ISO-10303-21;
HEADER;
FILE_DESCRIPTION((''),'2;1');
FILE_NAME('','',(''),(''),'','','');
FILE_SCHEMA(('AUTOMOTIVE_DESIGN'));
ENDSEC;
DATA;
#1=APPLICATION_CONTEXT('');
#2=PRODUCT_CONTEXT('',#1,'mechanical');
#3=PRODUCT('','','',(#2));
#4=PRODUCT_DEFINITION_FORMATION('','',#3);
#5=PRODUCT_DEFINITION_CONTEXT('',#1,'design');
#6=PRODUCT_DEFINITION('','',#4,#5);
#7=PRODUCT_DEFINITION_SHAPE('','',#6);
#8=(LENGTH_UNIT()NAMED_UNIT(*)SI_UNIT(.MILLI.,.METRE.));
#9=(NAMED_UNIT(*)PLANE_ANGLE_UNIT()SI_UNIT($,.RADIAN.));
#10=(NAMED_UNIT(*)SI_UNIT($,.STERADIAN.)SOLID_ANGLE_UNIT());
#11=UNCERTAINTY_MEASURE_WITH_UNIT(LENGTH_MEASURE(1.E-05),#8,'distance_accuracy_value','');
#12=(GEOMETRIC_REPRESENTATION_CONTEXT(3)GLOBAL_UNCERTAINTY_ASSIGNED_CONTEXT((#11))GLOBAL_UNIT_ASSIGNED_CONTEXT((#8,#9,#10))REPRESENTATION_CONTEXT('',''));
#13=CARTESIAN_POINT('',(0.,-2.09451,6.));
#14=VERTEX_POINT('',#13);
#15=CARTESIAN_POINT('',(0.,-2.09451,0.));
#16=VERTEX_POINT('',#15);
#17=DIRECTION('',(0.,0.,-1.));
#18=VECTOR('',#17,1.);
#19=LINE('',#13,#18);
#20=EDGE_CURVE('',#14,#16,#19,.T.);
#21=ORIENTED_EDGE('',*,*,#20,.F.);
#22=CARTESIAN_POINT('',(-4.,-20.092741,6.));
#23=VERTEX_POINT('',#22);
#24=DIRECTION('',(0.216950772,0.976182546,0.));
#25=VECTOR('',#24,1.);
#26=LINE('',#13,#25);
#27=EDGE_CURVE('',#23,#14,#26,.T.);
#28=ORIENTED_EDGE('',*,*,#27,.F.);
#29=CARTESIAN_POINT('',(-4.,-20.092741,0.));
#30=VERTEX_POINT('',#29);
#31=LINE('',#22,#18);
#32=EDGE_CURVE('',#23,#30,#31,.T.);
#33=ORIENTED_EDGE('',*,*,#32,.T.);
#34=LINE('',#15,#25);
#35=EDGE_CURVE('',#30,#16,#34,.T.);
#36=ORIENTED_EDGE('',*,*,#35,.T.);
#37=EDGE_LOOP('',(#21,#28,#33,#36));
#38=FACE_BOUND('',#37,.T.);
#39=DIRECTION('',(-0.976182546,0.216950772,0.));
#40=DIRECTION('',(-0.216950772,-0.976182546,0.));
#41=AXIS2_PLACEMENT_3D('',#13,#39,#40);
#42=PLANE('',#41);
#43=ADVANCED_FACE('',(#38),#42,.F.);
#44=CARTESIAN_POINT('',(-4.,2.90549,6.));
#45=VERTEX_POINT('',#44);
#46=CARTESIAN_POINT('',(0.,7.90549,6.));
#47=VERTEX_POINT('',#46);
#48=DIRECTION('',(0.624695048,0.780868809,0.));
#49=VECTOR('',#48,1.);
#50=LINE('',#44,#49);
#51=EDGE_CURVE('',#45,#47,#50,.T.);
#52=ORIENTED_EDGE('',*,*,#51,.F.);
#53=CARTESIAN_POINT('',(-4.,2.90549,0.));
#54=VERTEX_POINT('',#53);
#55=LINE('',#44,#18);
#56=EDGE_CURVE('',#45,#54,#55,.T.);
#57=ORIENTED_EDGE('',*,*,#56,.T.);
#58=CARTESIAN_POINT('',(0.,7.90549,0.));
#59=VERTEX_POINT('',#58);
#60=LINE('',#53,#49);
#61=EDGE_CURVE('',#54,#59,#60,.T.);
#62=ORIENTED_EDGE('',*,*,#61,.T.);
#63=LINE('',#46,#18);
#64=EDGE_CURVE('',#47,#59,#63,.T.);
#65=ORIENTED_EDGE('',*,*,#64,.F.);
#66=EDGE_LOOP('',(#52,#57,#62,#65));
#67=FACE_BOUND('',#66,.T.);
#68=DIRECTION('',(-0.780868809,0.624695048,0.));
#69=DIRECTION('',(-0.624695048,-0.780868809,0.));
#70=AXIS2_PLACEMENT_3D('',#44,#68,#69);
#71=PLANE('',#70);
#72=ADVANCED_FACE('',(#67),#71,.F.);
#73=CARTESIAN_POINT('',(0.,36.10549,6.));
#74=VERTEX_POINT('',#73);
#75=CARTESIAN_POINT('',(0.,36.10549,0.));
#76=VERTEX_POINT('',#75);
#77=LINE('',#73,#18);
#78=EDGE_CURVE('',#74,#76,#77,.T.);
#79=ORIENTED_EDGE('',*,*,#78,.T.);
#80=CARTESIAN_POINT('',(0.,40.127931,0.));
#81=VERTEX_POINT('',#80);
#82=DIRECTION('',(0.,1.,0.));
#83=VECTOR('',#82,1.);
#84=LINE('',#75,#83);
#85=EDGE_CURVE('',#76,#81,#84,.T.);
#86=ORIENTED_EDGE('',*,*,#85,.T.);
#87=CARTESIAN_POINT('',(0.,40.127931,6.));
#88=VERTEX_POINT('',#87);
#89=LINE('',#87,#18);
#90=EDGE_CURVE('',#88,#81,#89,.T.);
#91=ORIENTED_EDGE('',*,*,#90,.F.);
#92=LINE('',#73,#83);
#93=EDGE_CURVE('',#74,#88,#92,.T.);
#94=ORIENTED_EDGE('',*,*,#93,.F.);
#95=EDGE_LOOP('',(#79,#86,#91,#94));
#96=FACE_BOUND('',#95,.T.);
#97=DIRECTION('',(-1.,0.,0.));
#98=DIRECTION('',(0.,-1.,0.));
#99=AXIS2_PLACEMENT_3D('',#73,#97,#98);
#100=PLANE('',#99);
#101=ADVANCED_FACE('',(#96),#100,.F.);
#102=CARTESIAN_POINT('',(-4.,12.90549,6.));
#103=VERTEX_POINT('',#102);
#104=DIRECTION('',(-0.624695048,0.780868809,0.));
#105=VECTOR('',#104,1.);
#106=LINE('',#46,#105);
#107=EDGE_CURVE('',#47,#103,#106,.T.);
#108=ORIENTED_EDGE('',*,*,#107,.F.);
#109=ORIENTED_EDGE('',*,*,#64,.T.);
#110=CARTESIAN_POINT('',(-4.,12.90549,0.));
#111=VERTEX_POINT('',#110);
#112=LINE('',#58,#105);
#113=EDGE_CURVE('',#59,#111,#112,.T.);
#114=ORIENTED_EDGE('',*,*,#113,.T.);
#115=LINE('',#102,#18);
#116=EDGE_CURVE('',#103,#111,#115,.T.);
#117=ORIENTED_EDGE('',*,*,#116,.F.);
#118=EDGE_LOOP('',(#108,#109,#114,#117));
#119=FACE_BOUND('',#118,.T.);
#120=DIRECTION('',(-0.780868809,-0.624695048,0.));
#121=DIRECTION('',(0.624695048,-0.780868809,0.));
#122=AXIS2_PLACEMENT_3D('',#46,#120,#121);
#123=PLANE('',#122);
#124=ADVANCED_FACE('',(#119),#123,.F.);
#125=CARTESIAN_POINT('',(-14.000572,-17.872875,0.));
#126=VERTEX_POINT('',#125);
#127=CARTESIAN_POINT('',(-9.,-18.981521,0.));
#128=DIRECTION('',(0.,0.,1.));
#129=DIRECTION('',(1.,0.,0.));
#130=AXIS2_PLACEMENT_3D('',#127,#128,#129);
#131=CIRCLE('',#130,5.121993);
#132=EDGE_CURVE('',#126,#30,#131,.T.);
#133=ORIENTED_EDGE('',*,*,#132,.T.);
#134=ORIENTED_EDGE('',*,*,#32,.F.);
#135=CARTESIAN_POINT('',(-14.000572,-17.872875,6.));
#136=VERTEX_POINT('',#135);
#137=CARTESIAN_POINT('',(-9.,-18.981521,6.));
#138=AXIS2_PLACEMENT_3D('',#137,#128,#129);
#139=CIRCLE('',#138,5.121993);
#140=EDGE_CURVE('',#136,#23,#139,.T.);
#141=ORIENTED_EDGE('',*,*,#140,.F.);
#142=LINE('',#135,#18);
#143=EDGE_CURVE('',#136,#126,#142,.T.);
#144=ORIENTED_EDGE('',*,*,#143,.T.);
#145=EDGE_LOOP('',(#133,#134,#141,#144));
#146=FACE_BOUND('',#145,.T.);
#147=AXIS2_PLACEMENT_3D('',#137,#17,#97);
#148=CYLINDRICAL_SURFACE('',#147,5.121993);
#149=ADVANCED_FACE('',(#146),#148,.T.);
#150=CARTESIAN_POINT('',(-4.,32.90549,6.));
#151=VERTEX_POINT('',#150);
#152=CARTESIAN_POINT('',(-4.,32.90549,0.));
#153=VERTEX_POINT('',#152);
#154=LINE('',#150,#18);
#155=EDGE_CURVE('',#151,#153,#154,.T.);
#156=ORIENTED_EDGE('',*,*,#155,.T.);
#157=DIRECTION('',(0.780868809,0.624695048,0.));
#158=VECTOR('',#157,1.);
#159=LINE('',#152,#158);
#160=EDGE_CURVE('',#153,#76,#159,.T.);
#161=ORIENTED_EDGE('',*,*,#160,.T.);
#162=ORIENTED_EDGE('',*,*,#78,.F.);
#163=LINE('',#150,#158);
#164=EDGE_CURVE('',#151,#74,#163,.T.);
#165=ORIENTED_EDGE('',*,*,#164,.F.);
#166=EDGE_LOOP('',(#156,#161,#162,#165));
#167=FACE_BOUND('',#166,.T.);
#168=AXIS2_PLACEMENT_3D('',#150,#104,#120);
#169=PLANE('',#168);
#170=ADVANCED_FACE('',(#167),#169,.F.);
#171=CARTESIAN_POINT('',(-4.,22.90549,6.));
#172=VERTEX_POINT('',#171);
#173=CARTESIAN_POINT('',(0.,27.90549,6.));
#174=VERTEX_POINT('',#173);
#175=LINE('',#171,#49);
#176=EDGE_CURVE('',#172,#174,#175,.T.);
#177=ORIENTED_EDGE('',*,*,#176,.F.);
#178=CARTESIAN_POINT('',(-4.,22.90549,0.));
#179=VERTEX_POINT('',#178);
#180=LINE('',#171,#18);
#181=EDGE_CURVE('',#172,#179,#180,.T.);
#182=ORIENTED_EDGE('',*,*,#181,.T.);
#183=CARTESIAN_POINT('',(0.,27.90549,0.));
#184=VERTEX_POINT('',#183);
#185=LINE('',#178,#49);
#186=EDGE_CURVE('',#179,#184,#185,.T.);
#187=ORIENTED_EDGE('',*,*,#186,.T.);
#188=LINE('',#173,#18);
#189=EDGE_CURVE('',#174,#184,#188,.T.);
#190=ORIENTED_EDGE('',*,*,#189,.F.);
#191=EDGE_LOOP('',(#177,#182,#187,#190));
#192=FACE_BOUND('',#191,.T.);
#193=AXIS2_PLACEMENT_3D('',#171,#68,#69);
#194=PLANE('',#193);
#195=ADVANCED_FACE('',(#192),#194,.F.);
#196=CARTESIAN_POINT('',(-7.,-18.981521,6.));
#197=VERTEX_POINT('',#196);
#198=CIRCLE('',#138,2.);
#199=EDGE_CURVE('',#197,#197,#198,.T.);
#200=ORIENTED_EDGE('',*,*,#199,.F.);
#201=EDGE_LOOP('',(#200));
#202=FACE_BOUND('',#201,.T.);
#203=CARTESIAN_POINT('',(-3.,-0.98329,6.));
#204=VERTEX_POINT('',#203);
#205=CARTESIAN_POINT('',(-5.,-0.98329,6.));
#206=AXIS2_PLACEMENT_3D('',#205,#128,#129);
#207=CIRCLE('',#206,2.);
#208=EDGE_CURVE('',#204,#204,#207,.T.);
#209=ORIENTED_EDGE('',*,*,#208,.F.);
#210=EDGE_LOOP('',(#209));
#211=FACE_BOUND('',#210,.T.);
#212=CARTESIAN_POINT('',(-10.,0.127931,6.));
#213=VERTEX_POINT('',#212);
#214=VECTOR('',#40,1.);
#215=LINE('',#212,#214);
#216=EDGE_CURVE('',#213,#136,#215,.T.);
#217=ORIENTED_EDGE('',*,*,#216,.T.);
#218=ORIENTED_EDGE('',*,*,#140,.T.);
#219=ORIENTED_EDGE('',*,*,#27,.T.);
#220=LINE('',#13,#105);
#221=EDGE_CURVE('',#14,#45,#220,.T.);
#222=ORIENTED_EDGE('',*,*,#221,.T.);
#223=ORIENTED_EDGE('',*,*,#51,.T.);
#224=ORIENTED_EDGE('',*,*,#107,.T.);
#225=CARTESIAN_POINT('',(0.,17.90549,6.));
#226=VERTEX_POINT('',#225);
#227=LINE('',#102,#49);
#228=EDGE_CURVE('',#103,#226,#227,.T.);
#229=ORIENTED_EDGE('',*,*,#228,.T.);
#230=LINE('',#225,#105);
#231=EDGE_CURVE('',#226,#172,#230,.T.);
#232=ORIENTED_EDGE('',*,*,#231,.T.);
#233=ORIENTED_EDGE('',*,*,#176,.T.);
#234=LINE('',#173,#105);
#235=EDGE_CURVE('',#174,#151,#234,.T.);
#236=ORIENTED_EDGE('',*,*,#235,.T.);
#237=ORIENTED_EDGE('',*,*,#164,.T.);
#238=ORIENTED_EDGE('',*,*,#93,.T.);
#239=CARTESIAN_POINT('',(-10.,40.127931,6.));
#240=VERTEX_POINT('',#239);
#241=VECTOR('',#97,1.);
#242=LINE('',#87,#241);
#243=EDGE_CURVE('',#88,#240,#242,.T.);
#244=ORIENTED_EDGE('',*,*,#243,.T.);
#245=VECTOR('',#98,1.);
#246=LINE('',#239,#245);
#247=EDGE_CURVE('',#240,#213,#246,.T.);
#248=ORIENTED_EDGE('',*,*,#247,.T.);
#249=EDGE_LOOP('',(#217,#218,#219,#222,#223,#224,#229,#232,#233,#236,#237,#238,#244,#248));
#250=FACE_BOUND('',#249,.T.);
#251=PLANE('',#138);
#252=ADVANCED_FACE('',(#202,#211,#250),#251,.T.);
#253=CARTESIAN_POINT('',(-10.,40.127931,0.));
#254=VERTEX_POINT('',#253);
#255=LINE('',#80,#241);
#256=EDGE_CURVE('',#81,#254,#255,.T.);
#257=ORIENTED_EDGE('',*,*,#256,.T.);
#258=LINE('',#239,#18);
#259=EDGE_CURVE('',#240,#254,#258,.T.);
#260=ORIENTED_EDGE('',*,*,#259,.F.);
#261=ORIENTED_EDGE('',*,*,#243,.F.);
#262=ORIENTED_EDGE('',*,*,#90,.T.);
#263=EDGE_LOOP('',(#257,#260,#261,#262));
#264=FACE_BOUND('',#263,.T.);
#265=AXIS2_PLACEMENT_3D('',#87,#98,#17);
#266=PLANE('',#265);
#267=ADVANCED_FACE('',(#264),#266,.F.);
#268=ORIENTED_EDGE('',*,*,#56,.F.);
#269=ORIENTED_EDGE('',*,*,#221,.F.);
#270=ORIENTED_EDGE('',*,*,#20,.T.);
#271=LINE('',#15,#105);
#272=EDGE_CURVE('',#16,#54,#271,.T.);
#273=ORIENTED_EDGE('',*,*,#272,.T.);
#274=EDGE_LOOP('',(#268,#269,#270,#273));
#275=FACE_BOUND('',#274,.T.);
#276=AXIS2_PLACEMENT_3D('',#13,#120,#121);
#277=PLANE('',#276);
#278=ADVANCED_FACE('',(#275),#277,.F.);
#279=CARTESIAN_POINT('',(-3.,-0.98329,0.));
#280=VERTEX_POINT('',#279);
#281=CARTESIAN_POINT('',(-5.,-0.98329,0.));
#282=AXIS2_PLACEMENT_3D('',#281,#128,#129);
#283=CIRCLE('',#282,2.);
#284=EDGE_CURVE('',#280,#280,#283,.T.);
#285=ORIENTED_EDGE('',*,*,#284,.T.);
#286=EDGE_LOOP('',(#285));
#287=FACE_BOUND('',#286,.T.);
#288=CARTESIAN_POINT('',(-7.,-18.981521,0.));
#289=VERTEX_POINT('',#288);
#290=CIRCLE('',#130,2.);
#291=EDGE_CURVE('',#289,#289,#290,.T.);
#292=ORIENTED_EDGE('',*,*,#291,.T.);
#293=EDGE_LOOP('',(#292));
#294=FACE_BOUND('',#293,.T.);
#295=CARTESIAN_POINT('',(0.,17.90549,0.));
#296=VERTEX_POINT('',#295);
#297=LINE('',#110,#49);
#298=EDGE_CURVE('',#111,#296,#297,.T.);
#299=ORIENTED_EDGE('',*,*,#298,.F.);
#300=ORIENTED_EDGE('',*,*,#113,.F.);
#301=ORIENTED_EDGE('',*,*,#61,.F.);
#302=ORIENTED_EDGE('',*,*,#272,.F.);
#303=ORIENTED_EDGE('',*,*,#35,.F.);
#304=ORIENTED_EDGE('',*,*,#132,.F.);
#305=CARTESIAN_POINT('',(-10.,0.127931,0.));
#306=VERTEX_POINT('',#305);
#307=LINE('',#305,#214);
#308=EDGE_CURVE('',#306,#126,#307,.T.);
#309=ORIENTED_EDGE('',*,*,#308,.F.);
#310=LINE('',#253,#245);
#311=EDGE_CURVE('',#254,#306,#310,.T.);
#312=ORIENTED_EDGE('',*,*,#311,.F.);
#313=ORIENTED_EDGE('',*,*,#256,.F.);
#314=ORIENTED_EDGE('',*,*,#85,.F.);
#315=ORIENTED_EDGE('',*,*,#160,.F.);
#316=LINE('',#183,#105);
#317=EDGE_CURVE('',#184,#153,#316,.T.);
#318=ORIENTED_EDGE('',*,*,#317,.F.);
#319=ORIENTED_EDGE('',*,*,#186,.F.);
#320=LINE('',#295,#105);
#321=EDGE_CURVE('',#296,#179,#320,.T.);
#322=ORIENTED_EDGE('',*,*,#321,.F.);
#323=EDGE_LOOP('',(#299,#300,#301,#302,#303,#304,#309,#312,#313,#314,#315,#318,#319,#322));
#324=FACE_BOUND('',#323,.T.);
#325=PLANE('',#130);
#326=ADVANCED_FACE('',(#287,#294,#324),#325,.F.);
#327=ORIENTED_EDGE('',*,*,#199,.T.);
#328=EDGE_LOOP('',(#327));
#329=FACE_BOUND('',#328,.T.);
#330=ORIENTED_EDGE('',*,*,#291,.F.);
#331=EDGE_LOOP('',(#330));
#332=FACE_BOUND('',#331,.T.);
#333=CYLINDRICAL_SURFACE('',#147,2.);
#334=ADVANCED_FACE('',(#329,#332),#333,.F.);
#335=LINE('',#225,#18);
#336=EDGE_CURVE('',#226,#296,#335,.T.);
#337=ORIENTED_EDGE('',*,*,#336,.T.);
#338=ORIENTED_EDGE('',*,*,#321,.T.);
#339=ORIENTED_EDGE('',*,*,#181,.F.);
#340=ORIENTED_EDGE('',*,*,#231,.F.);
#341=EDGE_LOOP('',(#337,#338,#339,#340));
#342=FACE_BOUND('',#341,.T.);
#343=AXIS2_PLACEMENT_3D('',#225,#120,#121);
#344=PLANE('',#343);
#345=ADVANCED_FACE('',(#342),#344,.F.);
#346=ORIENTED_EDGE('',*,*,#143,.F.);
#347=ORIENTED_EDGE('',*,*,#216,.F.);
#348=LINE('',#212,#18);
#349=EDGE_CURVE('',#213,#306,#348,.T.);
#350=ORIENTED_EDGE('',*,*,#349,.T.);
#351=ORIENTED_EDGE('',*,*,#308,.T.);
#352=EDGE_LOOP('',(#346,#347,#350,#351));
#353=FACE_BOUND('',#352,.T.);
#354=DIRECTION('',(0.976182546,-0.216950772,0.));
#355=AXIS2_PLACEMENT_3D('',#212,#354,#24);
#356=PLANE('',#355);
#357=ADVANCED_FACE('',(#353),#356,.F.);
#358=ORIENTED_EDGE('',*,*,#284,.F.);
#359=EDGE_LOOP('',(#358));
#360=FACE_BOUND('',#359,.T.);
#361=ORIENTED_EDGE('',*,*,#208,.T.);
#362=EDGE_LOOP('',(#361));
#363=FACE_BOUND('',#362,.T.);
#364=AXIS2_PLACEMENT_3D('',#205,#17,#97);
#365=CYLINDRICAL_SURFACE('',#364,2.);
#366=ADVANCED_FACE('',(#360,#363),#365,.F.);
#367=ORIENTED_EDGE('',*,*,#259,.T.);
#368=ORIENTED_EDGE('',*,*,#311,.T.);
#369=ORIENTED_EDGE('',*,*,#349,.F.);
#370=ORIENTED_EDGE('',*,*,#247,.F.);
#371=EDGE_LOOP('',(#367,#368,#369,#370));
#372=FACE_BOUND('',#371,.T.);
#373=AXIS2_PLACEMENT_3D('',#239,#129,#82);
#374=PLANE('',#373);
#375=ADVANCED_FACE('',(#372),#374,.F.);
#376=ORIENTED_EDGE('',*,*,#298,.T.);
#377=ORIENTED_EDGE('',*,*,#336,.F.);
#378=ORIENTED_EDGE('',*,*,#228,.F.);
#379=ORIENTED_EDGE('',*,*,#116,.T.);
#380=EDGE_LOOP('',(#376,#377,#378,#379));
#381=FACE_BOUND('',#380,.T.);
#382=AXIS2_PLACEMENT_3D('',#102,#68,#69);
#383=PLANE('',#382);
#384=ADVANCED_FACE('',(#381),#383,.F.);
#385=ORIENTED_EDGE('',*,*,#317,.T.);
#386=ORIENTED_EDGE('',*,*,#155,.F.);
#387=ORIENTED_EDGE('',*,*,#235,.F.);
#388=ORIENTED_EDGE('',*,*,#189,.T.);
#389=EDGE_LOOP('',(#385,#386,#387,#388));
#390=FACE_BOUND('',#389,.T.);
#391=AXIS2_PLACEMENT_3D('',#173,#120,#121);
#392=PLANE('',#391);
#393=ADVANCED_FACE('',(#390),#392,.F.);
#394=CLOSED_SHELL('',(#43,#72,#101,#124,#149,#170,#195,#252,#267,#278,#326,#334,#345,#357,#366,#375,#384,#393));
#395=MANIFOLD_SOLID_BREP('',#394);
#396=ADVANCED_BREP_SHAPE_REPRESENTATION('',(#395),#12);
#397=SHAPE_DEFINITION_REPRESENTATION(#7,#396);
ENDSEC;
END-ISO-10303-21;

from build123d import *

# Parameters (mm, degrees)
SKETCH1_R           = 2
BOSS_EXTRUDE1_DEPTH = 6


with BuildPart() as part:
    # Sketch1 → Boss-Extrude1 (new body)
    with BuildSketch(Plane.XY):
        with BuildLine():
            Line((-10, 40.127930694), (-10, 0.127930694))
            Line((-10, 0.127930694), (-14.000572229, -17.872875451))
            ThreePointArc((-14.000572229, -17.872875451), (-10.109933276, -23.981807176), (-4, -20.092741267))
            Line((-4, -20.092741267), (0, -2.0945099))
            Line((0, -2.0945099), (-4, 2.9054901))
            Line((-4, 2.9054901), (0, 7.9054901))
            Line((0, 7.9054901), (-4, 12.9054901))
            Line((-4, 12.9054901), (0, 17.9054901))
            Line((0, 17.9054901), (-4, 22.9054901))
            Line((-4, 22.9054901), (0, 27.9054901))
            Line((0, 27.9054901), (-4, 32.9054901))
            Line((-4, 32.9054901), (0, 36.1054901))
            Line((0, 36.1054901), (0, 40.127930694))
            Line((0, 40.127930694), (-10, 40.127930694))
        make_face()
        with Locations((-5, -0.983289603)):
            Circle(SKETCH1_R, mode=Mode.SUBTRACT)
        with Locations((-9.000000331, -18.981520896)):
            Circle(SKETCH1_R, mode=Mode.SUBTRACT)
    extrude(amount=BOSS_EXTRUDE1_DEPTH)


solid = part.part
